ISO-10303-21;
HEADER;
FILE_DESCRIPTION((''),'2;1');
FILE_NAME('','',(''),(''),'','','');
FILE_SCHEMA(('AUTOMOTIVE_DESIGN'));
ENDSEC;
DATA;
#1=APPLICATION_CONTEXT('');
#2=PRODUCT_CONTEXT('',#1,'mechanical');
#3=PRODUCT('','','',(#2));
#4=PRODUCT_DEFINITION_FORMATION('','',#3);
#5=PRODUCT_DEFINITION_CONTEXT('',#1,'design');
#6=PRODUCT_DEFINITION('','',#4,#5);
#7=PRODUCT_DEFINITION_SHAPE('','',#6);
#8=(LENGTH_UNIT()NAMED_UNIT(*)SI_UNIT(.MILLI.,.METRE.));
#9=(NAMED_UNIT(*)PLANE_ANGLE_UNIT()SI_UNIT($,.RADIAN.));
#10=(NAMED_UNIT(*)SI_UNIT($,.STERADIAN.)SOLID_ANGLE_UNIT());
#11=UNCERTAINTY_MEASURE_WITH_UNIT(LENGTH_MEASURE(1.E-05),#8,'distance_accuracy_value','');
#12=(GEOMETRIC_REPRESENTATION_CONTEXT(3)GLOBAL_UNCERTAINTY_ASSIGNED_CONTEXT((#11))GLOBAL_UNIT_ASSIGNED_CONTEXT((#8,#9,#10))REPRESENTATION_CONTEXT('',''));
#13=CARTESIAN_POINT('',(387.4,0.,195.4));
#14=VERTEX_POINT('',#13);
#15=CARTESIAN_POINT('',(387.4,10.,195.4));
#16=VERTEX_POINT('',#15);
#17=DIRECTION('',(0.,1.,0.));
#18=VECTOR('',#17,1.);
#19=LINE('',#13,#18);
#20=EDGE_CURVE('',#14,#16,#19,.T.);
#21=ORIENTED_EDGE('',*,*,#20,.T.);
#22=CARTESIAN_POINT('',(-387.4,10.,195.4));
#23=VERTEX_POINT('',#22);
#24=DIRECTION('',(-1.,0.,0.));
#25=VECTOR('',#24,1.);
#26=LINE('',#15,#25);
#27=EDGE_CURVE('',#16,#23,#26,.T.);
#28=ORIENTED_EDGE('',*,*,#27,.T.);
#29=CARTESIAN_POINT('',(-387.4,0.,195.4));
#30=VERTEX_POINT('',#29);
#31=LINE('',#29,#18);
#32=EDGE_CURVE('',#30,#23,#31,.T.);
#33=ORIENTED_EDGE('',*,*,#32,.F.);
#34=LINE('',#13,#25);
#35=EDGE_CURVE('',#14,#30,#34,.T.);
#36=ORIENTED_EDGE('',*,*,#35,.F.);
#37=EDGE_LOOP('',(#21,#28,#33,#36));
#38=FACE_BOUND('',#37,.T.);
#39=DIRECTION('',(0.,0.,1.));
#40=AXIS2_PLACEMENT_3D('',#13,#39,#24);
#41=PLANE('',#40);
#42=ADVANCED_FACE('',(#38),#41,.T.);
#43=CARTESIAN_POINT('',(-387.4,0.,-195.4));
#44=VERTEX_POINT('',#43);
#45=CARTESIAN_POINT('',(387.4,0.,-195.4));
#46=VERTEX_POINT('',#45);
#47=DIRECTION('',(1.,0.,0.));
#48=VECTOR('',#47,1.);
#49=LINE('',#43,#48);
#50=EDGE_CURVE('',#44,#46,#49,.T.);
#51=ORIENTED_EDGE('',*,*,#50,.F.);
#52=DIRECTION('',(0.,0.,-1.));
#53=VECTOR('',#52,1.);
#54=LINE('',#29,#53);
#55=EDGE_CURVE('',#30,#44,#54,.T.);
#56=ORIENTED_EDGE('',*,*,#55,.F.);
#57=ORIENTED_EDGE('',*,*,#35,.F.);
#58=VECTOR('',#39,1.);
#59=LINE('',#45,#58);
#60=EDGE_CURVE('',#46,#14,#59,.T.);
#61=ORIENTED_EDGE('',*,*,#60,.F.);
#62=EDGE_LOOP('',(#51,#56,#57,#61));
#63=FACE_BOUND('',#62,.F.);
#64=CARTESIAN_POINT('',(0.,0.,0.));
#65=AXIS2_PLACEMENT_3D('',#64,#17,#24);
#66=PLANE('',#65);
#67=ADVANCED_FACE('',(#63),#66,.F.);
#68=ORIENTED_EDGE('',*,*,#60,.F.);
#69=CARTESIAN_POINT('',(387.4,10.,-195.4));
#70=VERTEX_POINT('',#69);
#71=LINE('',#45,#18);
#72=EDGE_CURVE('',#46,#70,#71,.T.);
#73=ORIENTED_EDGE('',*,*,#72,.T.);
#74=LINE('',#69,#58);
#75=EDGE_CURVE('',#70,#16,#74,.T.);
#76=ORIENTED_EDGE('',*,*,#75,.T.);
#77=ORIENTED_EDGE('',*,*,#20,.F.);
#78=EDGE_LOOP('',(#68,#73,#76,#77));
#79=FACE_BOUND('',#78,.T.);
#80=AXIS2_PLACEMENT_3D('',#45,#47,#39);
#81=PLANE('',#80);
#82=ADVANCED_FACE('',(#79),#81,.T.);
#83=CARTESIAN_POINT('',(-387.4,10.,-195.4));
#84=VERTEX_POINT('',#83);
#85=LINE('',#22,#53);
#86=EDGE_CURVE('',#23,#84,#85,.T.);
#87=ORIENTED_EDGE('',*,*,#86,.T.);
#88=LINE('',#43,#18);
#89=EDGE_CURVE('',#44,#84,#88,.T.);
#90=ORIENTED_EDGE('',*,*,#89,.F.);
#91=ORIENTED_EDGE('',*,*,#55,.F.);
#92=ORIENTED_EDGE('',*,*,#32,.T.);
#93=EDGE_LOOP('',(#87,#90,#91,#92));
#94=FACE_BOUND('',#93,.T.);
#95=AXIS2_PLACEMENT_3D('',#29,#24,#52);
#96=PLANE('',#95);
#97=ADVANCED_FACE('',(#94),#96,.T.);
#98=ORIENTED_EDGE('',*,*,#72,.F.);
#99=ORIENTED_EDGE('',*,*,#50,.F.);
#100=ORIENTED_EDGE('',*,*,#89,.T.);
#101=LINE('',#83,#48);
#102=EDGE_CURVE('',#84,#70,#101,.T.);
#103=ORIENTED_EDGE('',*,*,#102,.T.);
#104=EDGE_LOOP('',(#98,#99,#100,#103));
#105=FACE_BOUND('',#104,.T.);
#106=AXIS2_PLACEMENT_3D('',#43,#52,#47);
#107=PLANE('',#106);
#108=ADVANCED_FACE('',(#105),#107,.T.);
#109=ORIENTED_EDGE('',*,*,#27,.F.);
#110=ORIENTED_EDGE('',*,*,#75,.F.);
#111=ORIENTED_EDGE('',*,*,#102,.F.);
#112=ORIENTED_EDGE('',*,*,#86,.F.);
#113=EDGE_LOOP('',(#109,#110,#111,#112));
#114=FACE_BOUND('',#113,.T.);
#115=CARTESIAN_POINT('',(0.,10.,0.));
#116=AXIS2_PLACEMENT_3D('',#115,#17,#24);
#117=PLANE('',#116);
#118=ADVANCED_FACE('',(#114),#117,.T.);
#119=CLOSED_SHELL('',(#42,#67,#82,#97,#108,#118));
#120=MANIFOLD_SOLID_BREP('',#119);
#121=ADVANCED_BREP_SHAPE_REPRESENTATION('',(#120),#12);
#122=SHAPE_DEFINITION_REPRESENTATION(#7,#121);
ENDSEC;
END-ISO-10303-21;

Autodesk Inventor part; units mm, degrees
ref_plane "YZ Plane" through (0, 0, 0) normal (1, 0, 0) x (0, 1, 0)
ref_plane "XZ Plane" through (0, 0, 0) normal (0, 1, 0) x (-1, 0, 0)
ref_plane "XY Plane" through (0, 0, 0) normal (0, 0, 1) x (1, 0, 0)
sketch "Sketch1" plane through (0, 0, 0) normal (0, 1, 0) x (-1, 0, 0)
  line L0 (387.4, -195.4) -> (-387.4, -195.4)
  line L1 (-387.4, -195.4) -> (-387.4, 195.4)
  line L2 (-387.4, 195.4) -> (387.4, 195.4)
  line L3 (387.4, 195.4) -> (387.4, -195.4)
  point P0 (0, 0)
  point P1 (-387.4, 0)
  point P2 (0, -195.4)
  dimension "d0" = 774.8
  dimension "d1" = 390.8
extrude "Extrusion1" add sketch "Sketch1" along normal blind 10
properties part number "assyBase"
